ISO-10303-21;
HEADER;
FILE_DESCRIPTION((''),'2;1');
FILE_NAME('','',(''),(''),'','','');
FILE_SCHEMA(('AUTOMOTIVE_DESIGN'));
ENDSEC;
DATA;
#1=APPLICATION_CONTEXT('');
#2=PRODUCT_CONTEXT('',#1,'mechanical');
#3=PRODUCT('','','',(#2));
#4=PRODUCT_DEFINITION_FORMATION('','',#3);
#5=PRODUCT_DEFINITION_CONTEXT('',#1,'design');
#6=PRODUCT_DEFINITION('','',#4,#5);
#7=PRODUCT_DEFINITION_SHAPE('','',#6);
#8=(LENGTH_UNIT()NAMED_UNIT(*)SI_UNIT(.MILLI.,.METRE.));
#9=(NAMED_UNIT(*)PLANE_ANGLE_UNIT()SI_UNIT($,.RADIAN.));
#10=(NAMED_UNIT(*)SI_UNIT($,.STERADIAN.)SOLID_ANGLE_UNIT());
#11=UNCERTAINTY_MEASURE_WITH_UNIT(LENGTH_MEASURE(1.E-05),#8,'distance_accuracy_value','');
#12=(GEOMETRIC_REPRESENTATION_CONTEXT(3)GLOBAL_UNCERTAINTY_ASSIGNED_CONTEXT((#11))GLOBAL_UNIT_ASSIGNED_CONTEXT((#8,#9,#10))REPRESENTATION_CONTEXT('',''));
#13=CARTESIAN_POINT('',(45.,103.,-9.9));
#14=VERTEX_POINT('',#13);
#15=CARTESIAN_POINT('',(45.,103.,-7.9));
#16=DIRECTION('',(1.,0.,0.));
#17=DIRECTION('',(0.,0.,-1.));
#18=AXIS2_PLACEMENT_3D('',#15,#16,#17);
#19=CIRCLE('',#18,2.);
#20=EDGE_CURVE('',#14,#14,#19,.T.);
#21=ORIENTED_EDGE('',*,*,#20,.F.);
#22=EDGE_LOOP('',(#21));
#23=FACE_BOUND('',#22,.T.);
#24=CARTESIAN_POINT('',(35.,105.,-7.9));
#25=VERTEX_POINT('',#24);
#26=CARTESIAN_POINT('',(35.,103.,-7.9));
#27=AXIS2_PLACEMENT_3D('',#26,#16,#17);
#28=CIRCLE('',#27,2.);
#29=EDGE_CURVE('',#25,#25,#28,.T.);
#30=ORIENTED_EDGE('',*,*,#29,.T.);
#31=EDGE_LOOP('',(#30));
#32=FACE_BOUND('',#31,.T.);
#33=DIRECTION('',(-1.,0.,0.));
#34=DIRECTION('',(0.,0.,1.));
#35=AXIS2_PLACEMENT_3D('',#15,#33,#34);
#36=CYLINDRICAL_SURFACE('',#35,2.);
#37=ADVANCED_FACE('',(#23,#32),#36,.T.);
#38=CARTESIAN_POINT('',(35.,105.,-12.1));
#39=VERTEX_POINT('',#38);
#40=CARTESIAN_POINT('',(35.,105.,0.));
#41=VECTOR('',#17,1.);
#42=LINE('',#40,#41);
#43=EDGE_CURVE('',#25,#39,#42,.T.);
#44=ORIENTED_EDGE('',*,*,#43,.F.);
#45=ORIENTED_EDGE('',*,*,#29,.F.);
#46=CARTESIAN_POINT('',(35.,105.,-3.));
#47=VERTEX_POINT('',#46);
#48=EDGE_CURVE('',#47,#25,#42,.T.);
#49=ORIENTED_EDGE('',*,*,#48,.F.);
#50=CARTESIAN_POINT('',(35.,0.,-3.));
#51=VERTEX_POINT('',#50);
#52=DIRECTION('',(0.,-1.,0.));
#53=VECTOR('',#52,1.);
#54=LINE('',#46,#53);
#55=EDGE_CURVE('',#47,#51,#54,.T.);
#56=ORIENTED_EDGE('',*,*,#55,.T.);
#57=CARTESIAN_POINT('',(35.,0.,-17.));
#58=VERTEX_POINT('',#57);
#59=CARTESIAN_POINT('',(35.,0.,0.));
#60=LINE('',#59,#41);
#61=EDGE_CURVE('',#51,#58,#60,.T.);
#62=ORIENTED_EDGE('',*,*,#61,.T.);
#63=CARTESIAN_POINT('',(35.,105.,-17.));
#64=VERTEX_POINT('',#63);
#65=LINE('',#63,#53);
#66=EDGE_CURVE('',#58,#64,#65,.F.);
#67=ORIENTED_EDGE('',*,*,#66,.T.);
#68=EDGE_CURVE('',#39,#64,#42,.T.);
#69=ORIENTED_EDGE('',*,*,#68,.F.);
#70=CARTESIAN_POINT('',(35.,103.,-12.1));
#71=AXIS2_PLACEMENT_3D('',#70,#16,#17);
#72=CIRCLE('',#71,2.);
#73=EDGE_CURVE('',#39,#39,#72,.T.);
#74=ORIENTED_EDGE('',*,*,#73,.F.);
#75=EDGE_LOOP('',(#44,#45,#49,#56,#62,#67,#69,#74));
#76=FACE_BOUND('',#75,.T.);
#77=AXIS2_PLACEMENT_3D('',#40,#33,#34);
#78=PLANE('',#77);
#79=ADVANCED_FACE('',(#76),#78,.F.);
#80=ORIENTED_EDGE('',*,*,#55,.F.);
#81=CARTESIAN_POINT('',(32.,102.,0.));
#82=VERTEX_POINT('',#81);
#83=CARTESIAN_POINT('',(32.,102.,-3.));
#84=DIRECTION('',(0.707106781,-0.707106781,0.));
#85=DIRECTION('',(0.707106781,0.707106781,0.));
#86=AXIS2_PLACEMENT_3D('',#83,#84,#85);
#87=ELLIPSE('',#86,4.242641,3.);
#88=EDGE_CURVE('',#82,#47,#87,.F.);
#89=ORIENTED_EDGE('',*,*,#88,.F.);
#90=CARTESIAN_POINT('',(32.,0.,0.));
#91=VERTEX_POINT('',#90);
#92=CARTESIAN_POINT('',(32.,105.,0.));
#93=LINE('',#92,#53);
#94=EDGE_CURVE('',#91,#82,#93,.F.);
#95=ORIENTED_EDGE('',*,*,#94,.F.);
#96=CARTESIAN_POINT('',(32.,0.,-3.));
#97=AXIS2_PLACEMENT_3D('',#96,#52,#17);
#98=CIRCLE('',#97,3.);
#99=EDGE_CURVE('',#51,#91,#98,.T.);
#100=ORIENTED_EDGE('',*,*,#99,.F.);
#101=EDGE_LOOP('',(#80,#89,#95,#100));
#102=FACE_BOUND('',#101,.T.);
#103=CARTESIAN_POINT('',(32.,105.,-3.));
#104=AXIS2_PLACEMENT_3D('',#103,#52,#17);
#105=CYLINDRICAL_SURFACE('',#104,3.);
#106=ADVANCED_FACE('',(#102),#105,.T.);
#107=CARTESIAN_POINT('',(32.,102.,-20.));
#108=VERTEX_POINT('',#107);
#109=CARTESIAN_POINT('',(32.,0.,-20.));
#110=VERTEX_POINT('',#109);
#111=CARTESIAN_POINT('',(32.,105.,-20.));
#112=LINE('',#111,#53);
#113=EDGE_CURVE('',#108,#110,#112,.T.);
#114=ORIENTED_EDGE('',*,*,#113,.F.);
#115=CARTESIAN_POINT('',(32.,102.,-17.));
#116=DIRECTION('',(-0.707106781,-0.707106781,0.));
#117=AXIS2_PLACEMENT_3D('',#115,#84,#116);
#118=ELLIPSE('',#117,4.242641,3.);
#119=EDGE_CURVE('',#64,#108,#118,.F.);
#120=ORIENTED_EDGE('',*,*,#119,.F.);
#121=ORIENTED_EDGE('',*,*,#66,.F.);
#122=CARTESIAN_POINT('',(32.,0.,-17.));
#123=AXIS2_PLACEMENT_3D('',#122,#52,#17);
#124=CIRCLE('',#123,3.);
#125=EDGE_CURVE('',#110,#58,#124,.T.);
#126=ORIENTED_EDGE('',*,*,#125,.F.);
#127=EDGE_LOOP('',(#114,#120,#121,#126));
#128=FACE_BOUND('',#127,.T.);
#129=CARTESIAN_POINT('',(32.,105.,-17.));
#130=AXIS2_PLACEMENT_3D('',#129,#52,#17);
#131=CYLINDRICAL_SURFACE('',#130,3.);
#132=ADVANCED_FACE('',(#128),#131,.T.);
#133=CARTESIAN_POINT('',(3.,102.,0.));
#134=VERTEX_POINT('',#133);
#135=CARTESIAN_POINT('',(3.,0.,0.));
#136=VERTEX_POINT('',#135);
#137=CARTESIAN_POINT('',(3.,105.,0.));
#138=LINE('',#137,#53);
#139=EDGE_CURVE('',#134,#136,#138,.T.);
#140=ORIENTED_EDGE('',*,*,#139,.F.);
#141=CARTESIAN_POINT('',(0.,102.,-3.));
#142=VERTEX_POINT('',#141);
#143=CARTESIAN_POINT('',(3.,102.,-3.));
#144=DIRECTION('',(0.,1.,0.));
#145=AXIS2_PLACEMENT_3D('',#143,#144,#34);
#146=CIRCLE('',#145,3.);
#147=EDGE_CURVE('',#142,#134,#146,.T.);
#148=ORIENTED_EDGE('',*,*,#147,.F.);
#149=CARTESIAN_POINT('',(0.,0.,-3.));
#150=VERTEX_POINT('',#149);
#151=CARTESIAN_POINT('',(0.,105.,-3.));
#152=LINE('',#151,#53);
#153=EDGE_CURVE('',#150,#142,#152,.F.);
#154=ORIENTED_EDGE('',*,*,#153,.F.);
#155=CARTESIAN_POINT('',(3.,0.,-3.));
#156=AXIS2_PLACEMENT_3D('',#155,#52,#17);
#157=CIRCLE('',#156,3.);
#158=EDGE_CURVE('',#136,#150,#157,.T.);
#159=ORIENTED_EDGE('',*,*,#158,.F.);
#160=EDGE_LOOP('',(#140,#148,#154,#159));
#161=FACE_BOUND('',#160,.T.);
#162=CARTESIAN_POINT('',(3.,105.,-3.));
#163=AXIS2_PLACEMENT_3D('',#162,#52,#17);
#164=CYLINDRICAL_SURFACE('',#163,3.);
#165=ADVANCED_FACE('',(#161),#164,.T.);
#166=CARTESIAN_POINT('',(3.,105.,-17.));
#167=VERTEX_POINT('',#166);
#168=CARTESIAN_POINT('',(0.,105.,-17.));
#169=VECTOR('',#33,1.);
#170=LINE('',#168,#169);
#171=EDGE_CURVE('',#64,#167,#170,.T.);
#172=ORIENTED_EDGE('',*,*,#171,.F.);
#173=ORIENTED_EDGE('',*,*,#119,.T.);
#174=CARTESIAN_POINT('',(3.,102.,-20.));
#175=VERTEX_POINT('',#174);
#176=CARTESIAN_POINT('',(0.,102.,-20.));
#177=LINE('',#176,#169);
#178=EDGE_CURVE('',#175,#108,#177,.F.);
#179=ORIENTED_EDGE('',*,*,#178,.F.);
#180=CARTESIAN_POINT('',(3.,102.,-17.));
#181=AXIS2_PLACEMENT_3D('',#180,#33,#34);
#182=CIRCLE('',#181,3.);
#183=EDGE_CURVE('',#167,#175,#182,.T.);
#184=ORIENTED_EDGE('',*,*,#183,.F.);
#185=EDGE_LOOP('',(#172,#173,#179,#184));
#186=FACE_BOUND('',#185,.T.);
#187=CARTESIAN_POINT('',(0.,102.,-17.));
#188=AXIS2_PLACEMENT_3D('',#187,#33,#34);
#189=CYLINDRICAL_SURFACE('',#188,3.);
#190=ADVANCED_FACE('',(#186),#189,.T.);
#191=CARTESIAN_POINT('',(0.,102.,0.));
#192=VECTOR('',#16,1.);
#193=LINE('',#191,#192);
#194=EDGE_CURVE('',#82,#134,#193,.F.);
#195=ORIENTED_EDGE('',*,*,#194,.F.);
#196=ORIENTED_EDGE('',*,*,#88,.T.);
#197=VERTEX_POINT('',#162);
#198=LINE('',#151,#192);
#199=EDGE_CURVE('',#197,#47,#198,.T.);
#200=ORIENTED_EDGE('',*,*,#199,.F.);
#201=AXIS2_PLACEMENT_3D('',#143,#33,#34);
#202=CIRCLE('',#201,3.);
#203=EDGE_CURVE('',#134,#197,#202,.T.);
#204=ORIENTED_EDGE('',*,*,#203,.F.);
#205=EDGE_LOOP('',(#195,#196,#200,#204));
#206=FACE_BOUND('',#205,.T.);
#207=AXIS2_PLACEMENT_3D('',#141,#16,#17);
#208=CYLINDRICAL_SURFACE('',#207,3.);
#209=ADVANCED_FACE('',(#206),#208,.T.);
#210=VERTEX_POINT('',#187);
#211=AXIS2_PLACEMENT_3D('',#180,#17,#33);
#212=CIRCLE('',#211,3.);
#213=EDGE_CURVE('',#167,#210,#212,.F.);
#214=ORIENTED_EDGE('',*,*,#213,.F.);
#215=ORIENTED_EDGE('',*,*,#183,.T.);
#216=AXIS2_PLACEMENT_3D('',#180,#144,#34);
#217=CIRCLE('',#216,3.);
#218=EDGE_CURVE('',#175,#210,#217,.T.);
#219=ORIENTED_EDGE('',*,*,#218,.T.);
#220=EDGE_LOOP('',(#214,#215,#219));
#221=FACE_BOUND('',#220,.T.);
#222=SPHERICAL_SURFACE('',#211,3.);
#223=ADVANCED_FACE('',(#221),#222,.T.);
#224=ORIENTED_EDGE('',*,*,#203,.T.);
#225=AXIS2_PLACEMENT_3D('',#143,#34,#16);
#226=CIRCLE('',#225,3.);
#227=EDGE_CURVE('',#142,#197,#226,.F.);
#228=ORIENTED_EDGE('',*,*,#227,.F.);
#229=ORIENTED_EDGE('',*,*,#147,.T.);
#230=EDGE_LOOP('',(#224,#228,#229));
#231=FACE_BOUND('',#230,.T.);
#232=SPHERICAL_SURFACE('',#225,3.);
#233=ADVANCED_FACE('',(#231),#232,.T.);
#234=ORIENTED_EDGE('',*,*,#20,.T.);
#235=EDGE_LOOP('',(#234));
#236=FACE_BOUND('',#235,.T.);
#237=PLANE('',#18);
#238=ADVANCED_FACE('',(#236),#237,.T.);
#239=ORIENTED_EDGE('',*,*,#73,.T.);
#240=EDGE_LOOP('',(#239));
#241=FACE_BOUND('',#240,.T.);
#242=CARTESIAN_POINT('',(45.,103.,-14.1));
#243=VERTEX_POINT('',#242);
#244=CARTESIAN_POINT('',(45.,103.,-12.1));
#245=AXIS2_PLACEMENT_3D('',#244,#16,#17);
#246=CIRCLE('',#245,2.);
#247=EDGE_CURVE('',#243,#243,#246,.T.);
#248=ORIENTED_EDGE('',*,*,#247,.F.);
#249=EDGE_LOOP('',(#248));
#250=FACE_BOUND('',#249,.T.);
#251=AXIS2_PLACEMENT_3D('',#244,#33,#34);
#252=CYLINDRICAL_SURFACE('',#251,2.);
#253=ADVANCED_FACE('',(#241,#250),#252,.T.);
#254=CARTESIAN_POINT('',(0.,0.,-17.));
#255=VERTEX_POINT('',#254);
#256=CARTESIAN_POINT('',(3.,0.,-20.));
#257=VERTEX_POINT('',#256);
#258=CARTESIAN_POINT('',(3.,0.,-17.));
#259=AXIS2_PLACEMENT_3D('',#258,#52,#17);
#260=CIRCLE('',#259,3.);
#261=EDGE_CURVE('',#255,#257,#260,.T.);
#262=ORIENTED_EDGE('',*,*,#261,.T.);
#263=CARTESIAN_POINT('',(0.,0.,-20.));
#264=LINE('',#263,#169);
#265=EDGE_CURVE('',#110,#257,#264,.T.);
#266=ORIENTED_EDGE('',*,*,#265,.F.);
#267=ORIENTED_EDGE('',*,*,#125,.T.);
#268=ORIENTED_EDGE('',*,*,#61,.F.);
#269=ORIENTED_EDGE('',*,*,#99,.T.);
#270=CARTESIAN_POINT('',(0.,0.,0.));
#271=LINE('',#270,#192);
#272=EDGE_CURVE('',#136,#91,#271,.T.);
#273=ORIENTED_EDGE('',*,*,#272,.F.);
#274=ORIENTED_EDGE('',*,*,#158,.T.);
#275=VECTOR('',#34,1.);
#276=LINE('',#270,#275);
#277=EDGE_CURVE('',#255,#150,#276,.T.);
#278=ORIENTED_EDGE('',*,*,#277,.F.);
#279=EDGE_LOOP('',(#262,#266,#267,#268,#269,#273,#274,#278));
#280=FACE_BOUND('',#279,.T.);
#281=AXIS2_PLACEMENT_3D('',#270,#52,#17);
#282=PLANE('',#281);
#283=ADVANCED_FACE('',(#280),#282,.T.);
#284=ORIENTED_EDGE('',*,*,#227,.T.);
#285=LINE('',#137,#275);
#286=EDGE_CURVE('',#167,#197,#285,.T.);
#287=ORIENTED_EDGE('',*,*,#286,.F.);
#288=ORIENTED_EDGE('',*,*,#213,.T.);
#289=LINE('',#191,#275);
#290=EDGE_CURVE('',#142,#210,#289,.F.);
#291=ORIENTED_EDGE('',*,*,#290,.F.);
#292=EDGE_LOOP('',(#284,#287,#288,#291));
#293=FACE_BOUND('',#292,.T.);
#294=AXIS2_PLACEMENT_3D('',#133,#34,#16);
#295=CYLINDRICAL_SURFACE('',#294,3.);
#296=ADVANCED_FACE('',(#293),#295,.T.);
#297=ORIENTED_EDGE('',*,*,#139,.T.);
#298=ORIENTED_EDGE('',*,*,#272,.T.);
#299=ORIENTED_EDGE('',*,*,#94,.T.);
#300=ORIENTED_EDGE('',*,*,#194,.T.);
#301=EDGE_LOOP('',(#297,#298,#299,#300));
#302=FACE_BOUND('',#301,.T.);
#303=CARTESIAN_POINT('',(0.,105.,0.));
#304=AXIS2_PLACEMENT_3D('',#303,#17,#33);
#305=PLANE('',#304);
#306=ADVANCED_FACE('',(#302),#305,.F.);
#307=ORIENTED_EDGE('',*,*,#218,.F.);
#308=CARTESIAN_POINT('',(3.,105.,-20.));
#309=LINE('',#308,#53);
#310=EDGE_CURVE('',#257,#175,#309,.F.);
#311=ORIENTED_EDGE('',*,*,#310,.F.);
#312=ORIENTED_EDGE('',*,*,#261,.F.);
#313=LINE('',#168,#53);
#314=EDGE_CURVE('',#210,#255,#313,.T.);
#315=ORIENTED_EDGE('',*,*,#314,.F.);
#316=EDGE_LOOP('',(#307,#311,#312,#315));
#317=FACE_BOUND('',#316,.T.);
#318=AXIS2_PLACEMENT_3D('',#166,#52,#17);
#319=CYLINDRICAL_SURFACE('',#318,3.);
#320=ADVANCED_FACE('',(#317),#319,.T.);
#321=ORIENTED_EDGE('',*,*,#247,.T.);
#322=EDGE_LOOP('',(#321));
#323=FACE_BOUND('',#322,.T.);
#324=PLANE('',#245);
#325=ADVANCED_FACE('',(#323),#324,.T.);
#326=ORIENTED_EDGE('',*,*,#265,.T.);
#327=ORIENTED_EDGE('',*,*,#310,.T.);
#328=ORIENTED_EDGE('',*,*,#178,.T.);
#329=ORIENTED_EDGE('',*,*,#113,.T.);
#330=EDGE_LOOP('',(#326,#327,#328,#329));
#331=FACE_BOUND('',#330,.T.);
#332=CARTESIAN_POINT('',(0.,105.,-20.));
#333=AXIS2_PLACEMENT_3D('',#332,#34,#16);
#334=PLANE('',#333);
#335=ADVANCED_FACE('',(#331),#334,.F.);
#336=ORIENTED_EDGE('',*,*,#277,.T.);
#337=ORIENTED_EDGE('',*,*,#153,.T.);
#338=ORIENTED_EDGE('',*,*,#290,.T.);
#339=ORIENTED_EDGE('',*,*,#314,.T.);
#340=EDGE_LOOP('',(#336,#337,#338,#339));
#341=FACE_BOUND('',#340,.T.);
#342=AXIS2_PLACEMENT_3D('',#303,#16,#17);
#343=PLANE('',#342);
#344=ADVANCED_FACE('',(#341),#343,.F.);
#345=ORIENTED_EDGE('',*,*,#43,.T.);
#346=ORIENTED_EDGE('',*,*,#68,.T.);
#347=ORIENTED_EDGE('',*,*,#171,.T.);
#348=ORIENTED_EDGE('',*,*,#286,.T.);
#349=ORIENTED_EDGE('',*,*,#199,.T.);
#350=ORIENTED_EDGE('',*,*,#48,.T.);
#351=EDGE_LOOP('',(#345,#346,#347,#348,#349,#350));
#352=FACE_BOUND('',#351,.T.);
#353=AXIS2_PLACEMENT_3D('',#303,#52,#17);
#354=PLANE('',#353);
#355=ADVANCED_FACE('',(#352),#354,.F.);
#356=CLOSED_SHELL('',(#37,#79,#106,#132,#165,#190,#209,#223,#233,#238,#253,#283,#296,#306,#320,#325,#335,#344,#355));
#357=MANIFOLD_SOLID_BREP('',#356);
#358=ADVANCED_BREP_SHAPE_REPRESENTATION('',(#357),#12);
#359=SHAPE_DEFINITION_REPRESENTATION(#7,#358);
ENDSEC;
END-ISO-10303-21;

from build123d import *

# Parameters (mm, degrees)
SKETCH2_W           = 35
SKETCH2_H           = 20
BOSS_EXTRUDE1_DEPTH = 105
SKETCH5_R           = 2
BOSS_EXTRUDE2_DEPTH = 10
FILLET1_R           = 3


with BuildPart() as part:
    # Sketch2 → Boss-Extrude1 (new body)
    with BuildSketch(Plane(origin=(0, 0, 0), x_dir=(1, 0, 0), z_dir=(0, 1, 0))):
        with Locations((17.5, 10)):
            Rectangle(SKETCH2_W, SKETCH2_H)
    extrude(amount=BOSS_EXTRUDE1_DEPTH)

    # Sketch5 → Boss-Extrude2 (add)
    with BuildSketch(Plane(origin=(35, 0, 0), x_dir=(0, 0, -1), z_dir=(1, 0, 0))):
        with Locations(Location((7.9, 103, 0), (0, 0, 90))):
            Circle(SKETCH5_R)
        with Locations(Location((12.1, 103, 0), (0, 0, 90))):
            Circle(SKETCH5_R)
    extrude(amount=BOSS_EXTRUDE2_DEPTH)

    # Fillet1
    fillet1_edges = [part.edges().sort_by_distance(p)[0] for p in [
        (17.5, 105, -20),
        (0, 105, -10),
        (0, 52.5, -20),
        (35, 52.5, -20),
        (35, 52.5, 0),
        (0, 52.5, 0),
        (17.5, 105, 0),
    ]]
    fillet(fillet1_edges, radius=FILLET1_R)


solid = part.part
